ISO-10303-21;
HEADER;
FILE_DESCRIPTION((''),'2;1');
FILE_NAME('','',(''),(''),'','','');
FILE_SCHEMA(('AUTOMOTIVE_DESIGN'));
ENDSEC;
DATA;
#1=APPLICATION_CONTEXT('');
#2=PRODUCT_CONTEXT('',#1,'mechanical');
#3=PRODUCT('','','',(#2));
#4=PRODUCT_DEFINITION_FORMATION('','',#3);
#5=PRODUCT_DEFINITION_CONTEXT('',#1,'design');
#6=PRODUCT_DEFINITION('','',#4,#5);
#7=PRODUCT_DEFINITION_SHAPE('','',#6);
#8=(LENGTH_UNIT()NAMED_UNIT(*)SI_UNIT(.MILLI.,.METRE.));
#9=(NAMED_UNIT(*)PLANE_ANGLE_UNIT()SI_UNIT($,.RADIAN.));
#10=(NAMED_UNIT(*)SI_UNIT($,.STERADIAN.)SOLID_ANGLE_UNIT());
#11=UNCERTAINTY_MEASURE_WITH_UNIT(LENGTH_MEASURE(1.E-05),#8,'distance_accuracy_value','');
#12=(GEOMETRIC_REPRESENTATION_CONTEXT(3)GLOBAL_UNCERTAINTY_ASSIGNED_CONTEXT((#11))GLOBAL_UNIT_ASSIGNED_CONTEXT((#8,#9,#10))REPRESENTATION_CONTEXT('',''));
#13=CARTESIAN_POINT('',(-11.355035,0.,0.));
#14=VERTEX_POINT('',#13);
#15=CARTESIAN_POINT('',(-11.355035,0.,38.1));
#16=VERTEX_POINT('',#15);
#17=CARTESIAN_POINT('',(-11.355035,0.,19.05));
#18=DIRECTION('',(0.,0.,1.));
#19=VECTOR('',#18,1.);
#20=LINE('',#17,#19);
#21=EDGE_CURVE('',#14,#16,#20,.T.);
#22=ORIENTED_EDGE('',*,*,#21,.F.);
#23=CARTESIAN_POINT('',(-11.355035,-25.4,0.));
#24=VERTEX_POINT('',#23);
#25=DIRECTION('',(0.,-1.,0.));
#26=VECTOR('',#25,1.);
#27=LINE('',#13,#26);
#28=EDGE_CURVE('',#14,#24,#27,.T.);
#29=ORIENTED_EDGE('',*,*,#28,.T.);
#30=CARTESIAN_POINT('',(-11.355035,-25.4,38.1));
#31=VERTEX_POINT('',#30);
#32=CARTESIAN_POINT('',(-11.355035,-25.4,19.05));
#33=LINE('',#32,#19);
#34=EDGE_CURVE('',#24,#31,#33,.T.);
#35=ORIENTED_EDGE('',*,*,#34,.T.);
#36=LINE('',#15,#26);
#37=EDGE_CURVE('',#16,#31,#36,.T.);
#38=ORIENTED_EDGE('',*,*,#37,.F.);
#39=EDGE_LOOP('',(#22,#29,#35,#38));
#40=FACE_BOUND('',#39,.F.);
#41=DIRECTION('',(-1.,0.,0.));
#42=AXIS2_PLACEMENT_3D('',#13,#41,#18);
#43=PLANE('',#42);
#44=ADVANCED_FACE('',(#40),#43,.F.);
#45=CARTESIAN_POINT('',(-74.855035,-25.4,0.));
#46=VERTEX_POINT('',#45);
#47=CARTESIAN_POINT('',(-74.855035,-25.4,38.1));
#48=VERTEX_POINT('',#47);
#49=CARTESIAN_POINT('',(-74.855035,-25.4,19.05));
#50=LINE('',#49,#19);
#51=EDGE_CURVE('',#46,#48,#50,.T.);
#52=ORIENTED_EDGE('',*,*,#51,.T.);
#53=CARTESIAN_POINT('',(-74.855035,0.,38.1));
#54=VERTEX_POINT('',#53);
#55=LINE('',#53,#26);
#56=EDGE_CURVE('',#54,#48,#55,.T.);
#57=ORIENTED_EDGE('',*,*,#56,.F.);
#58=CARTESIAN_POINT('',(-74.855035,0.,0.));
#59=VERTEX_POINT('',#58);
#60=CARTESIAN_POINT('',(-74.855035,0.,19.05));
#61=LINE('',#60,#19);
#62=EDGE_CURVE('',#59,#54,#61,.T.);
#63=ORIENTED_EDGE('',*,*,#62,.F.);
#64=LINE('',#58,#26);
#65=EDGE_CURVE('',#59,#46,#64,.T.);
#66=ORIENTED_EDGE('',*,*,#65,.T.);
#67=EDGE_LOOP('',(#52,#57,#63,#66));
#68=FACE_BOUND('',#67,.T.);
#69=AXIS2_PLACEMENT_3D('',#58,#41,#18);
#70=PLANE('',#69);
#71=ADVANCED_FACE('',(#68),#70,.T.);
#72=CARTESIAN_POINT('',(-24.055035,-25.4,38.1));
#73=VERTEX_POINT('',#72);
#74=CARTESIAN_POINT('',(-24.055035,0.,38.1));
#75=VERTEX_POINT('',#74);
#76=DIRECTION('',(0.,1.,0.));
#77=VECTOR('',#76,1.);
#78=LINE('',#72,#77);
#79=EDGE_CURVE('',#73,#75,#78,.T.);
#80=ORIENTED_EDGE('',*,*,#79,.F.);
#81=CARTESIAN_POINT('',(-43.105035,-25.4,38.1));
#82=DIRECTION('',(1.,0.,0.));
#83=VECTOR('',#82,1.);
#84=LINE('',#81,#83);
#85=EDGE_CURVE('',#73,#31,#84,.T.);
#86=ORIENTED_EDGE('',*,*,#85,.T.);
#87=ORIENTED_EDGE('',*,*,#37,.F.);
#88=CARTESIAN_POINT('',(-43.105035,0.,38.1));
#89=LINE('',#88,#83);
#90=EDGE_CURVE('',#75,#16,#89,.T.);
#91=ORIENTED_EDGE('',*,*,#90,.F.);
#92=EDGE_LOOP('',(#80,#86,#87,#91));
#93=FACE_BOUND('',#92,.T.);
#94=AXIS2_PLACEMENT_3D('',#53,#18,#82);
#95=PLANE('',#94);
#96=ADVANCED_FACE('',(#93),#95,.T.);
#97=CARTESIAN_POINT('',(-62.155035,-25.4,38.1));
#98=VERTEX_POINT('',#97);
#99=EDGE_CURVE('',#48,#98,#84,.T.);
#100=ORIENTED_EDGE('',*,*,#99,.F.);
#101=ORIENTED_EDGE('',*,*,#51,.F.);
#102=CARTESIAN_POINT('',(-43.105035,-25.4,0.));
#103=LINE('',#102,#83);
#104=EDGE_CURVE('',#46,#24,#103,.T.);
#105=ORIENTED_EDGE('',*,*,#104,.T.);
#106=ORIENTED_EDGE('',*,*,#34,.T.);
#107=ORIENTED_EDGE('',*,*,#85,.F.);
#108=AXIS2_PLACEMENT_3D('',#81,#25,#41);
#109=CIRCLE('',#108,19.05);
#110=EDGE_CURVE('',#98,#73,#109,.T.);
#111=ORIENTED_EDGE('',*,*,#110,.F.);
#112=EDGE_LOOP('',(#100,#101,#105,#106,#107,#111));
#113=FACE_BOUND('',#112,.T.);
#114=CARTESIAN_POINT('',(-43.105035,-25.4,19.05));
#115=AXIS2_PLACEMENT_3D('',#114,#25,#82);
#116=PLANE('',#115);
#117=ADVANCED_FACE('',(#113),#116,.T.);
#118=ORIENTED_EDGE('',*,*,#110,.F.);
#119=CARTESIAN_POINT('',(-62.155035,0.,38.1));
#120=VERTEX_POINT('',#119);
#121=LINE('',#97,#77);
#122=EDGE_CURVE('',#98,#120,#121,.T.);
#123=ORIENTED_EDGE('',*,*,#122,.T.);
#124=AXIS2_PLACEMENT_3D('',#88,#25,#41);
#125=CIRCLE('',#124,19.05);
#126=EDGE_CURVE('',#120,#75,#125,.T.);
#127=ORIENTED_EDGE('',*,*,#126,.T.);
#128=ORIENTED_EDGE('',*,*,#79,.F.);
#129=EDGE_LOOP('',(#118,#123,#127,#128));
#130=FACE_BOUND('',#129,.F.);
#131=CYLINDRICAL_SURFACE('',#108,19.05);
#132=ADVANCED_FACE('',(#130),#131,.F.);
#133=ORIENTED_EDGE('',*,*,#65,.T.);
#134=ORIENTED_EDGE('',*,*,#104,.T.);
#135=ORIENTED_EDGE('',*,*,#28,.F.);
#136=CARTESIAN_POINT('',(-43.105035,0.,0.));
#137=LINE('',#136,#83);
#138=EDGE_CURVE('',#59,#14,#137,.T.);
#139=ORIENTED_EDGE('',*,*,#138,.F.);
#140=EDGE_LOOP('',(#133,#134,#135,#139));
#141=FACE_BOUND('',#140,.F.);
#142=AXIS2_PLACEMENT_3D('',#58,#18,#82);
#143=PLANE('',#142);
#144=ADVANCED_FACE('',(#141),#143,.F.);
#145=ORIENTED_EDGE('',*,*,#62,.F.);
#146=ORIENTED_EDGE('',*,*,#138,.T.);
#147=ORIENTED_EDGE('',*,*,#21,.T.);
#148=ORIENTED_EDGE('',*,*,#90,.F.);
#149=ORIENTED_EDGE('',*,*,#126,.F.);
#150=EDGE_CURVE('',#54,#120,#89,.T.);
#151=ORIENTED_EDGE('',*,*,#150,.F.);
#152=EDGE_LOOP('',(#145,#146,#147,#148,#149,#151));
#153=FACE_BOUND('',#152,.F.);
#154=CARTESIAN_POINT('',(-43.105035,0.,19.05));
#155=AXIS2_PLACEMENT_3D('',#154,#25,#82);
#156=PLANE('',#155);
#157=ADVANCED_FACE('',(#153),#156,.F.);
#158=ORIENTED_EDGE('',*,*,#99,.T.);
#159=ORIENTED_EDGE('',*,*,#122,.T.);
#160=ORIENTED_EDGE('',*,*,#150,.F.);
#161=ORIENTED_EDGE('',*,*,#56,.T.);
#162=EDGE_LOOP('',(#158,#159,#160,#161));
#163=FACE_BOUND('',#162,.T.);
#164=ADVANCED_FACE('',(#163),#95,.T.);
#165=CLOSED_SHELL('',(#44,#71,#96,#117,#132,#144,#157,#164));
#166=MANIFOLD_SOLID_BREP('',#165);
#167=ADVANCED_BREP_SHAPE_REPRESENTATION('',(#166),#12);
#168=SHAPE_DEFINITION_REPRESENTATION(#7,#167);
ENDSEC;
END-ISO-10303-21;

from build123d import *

# Parameters (mm, degrees)
F0_W     = 63.5
F0_H     = 38.1
F1_DEPTH = 25.4
F3_DEPTH = 25.401


with BuildPart() as f1:
    # F0 (on Front) → F1 (new body)
    with BuildSketch(Plane.XZ):
        with Locations((-43.105035, 19.05)):
            Rectangle(F0_W, F0_H)
    extrude(amount=F1_DEPTH)

    # F2 (on face) → F3 (cut, through all)
    with BuildSketch(Plane.XZ.offset(25.4)):
        with BuildLine():
            Line((-24.055035, 38.1), (-62.155035, 38.1))
            ThreePointArc((-62.155035, 38.1), (-43.105035, 19.05), (-24.055035, 38.1))
        make_face()
    extrude(amount=-F3_DEPTH, mode=Mode.SUBTRACT)


solid = f1.part
